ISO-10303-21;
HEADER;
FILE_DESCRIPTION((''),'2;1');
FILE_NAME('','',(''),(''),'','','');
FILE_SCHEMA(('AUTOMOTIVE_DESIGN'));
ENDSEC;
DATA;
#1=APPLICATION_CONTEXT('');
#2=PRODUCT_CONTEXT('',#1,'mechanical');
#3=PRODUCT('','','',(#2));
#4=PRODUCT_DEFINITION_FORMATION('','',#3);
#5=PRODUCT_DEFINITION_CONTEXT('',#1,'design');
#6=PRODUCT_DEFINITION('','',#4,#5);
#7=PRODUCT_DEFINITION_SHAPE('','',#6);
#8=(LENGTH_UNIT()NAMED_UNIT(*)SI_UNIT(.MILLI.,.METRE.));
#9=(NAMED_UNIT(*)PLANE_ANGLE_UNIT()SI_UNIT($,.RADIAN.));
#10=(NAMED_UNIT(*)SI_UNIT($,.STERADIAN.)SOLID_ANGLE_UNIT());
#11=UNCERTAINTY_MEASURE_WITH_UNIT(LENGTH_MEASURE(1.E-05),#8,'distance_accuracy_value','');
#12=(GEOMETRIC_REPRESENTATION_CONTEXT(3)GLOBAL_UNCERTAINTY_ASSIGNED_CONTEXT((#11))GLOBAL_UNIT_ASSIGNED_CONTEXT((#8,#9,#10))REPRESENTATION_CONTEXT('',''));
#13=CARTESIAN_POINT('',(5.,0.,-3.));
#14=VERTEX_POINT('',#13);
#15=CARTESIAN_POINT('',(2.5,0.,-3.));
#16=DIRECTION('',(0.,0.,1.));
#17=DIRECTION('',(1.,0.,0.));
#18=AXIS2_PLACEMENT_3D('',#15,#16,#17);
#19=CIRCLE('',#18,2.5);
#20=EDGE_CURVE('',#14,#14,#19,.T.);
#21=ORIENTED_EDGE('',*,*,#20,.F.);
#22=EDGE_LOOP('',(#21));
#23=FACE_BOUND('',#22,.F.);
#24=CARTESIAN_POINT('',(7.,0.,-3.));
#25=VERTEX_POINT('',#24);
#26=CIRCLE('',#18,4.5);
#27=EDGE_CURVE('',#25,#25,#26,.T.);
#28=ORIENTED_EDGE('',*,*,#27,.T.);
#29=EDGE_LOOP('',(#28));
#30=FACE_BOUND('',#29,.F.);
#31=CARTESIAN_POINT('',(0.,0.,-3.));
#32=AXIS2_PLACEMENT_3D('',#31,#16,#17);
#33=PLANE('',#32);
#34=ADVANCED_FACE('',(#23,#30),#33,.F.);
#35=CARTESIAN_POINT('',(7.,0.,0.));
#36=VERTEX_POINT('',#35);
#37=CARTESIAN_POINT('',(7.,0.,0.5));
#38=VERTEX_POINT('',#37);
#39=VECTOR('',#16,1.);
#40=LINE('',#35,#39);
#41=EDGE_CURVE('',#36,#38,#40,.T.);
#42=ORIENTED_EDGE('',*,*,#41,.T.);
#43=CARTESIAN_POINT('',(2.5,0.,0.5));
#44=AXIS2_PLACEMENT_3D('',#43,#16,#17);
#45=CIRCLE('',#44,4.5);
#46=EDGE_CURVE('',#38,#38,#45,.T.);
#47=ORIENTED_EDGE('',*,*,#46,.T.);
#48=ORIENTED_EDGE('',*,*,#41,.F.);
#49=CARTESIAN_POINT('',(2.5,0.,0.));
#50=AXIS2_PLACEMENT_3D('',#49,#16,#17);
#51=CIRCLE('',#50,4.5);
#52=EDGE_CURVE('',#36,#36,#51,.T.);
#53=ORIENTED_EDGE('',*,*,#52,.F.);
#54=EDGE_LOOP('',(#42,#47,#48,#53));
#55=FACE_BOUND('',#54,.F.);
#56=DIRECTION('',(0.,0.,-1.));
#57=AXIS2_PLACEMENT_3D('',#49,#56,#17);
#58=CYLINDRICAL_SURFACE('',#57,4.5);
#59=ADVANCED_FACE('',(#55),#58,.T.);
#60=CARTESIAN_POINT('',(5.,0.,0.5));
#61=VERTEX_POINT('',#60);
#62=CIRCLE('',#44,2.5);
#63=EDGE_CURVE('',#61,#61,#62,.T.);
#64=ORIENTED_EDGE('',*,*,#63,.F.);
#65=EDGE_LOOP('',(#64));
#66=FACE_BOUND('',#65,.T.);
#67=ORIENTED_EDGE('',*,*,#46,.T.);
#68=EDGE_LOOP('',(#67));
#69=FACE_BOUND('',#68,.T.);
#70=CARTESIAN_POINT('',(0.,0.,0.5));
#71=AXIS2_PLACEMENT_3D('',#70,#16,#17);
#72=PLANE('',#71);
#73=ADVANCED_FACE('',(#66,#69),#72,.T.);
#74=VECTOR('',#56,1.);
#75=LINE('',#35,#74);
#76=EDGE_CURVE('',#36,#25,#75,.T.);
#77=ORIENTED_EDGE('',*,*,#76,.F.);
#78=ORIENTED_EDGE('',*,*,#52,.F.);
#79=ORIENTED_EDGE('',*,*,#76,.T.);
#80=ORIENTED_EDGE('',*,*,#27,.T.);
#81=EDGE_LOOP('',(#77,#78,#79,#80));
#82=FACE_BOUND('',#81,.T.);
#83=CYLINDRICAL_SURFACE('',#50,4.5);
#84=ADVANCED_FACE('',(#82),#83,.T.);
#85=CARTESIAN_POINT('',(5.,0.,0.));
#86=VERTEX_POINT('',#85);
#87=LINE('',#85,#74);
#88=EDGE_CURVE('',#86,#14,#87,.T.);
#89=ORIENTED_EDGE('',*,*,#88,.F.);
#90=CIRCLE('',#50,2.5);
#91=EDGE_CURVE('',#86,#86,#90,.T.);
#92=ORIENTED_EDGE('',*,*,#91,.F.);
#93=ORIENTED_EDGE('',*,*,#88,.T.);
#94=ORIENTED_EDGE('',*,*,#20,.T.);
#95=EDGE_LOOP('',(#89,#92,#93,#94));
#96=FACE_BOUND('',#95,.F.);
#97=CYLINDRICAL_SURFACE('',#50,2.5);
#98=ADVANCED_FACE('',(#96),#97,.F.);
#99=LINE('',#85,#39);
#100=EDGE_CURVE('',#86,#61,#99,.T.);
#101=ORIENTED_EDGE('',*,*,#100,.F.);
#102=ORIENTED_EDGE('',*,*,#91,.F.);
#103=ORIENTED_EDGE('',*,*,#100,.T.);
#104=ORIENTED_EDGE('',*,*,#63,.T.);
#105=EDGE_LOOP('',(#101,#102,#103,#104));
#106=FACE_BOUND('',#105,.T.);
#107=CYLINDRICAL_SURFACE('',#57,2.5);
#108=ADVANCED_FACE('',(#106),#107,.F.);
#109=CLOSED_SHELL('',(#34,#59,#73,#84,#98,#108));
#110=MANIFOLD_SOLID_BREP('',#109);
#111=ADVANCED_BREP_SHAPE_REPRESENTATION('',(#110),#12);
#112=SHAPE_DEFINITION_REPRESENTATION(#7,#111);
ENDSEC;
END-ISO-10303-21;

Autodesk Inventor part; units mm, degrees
ref_plane "YZ Plane" through (0, 0, 0) normal (1, 0, 0) x (0, 1, 0)
ref_plane "XZ Plane" through (0, 0, 0) normal (0, 1, 0) x (-1, 0, 0)
sketch "Sketch1" plane through (0, 0, 0) normal (0, 0, 1) x (1, 0, 0)
  circle A0 centre (2.5, 0) radius 2.5 projected
  circle A1 centre (2.5, 0) radius 4.5
  point P0 (0, 0)
  dimension "d0" = 9
ref_plane "Work Plane1" through (-2.5, -5, -5) normal (0, 0, 1) x (1, 0, 0)
extrude "Extrusion2" add sketch "Sketch1" along normal blind 0.5 and the other way blind 3
properties part number "small_bearing" material "Steel, Alloy"
